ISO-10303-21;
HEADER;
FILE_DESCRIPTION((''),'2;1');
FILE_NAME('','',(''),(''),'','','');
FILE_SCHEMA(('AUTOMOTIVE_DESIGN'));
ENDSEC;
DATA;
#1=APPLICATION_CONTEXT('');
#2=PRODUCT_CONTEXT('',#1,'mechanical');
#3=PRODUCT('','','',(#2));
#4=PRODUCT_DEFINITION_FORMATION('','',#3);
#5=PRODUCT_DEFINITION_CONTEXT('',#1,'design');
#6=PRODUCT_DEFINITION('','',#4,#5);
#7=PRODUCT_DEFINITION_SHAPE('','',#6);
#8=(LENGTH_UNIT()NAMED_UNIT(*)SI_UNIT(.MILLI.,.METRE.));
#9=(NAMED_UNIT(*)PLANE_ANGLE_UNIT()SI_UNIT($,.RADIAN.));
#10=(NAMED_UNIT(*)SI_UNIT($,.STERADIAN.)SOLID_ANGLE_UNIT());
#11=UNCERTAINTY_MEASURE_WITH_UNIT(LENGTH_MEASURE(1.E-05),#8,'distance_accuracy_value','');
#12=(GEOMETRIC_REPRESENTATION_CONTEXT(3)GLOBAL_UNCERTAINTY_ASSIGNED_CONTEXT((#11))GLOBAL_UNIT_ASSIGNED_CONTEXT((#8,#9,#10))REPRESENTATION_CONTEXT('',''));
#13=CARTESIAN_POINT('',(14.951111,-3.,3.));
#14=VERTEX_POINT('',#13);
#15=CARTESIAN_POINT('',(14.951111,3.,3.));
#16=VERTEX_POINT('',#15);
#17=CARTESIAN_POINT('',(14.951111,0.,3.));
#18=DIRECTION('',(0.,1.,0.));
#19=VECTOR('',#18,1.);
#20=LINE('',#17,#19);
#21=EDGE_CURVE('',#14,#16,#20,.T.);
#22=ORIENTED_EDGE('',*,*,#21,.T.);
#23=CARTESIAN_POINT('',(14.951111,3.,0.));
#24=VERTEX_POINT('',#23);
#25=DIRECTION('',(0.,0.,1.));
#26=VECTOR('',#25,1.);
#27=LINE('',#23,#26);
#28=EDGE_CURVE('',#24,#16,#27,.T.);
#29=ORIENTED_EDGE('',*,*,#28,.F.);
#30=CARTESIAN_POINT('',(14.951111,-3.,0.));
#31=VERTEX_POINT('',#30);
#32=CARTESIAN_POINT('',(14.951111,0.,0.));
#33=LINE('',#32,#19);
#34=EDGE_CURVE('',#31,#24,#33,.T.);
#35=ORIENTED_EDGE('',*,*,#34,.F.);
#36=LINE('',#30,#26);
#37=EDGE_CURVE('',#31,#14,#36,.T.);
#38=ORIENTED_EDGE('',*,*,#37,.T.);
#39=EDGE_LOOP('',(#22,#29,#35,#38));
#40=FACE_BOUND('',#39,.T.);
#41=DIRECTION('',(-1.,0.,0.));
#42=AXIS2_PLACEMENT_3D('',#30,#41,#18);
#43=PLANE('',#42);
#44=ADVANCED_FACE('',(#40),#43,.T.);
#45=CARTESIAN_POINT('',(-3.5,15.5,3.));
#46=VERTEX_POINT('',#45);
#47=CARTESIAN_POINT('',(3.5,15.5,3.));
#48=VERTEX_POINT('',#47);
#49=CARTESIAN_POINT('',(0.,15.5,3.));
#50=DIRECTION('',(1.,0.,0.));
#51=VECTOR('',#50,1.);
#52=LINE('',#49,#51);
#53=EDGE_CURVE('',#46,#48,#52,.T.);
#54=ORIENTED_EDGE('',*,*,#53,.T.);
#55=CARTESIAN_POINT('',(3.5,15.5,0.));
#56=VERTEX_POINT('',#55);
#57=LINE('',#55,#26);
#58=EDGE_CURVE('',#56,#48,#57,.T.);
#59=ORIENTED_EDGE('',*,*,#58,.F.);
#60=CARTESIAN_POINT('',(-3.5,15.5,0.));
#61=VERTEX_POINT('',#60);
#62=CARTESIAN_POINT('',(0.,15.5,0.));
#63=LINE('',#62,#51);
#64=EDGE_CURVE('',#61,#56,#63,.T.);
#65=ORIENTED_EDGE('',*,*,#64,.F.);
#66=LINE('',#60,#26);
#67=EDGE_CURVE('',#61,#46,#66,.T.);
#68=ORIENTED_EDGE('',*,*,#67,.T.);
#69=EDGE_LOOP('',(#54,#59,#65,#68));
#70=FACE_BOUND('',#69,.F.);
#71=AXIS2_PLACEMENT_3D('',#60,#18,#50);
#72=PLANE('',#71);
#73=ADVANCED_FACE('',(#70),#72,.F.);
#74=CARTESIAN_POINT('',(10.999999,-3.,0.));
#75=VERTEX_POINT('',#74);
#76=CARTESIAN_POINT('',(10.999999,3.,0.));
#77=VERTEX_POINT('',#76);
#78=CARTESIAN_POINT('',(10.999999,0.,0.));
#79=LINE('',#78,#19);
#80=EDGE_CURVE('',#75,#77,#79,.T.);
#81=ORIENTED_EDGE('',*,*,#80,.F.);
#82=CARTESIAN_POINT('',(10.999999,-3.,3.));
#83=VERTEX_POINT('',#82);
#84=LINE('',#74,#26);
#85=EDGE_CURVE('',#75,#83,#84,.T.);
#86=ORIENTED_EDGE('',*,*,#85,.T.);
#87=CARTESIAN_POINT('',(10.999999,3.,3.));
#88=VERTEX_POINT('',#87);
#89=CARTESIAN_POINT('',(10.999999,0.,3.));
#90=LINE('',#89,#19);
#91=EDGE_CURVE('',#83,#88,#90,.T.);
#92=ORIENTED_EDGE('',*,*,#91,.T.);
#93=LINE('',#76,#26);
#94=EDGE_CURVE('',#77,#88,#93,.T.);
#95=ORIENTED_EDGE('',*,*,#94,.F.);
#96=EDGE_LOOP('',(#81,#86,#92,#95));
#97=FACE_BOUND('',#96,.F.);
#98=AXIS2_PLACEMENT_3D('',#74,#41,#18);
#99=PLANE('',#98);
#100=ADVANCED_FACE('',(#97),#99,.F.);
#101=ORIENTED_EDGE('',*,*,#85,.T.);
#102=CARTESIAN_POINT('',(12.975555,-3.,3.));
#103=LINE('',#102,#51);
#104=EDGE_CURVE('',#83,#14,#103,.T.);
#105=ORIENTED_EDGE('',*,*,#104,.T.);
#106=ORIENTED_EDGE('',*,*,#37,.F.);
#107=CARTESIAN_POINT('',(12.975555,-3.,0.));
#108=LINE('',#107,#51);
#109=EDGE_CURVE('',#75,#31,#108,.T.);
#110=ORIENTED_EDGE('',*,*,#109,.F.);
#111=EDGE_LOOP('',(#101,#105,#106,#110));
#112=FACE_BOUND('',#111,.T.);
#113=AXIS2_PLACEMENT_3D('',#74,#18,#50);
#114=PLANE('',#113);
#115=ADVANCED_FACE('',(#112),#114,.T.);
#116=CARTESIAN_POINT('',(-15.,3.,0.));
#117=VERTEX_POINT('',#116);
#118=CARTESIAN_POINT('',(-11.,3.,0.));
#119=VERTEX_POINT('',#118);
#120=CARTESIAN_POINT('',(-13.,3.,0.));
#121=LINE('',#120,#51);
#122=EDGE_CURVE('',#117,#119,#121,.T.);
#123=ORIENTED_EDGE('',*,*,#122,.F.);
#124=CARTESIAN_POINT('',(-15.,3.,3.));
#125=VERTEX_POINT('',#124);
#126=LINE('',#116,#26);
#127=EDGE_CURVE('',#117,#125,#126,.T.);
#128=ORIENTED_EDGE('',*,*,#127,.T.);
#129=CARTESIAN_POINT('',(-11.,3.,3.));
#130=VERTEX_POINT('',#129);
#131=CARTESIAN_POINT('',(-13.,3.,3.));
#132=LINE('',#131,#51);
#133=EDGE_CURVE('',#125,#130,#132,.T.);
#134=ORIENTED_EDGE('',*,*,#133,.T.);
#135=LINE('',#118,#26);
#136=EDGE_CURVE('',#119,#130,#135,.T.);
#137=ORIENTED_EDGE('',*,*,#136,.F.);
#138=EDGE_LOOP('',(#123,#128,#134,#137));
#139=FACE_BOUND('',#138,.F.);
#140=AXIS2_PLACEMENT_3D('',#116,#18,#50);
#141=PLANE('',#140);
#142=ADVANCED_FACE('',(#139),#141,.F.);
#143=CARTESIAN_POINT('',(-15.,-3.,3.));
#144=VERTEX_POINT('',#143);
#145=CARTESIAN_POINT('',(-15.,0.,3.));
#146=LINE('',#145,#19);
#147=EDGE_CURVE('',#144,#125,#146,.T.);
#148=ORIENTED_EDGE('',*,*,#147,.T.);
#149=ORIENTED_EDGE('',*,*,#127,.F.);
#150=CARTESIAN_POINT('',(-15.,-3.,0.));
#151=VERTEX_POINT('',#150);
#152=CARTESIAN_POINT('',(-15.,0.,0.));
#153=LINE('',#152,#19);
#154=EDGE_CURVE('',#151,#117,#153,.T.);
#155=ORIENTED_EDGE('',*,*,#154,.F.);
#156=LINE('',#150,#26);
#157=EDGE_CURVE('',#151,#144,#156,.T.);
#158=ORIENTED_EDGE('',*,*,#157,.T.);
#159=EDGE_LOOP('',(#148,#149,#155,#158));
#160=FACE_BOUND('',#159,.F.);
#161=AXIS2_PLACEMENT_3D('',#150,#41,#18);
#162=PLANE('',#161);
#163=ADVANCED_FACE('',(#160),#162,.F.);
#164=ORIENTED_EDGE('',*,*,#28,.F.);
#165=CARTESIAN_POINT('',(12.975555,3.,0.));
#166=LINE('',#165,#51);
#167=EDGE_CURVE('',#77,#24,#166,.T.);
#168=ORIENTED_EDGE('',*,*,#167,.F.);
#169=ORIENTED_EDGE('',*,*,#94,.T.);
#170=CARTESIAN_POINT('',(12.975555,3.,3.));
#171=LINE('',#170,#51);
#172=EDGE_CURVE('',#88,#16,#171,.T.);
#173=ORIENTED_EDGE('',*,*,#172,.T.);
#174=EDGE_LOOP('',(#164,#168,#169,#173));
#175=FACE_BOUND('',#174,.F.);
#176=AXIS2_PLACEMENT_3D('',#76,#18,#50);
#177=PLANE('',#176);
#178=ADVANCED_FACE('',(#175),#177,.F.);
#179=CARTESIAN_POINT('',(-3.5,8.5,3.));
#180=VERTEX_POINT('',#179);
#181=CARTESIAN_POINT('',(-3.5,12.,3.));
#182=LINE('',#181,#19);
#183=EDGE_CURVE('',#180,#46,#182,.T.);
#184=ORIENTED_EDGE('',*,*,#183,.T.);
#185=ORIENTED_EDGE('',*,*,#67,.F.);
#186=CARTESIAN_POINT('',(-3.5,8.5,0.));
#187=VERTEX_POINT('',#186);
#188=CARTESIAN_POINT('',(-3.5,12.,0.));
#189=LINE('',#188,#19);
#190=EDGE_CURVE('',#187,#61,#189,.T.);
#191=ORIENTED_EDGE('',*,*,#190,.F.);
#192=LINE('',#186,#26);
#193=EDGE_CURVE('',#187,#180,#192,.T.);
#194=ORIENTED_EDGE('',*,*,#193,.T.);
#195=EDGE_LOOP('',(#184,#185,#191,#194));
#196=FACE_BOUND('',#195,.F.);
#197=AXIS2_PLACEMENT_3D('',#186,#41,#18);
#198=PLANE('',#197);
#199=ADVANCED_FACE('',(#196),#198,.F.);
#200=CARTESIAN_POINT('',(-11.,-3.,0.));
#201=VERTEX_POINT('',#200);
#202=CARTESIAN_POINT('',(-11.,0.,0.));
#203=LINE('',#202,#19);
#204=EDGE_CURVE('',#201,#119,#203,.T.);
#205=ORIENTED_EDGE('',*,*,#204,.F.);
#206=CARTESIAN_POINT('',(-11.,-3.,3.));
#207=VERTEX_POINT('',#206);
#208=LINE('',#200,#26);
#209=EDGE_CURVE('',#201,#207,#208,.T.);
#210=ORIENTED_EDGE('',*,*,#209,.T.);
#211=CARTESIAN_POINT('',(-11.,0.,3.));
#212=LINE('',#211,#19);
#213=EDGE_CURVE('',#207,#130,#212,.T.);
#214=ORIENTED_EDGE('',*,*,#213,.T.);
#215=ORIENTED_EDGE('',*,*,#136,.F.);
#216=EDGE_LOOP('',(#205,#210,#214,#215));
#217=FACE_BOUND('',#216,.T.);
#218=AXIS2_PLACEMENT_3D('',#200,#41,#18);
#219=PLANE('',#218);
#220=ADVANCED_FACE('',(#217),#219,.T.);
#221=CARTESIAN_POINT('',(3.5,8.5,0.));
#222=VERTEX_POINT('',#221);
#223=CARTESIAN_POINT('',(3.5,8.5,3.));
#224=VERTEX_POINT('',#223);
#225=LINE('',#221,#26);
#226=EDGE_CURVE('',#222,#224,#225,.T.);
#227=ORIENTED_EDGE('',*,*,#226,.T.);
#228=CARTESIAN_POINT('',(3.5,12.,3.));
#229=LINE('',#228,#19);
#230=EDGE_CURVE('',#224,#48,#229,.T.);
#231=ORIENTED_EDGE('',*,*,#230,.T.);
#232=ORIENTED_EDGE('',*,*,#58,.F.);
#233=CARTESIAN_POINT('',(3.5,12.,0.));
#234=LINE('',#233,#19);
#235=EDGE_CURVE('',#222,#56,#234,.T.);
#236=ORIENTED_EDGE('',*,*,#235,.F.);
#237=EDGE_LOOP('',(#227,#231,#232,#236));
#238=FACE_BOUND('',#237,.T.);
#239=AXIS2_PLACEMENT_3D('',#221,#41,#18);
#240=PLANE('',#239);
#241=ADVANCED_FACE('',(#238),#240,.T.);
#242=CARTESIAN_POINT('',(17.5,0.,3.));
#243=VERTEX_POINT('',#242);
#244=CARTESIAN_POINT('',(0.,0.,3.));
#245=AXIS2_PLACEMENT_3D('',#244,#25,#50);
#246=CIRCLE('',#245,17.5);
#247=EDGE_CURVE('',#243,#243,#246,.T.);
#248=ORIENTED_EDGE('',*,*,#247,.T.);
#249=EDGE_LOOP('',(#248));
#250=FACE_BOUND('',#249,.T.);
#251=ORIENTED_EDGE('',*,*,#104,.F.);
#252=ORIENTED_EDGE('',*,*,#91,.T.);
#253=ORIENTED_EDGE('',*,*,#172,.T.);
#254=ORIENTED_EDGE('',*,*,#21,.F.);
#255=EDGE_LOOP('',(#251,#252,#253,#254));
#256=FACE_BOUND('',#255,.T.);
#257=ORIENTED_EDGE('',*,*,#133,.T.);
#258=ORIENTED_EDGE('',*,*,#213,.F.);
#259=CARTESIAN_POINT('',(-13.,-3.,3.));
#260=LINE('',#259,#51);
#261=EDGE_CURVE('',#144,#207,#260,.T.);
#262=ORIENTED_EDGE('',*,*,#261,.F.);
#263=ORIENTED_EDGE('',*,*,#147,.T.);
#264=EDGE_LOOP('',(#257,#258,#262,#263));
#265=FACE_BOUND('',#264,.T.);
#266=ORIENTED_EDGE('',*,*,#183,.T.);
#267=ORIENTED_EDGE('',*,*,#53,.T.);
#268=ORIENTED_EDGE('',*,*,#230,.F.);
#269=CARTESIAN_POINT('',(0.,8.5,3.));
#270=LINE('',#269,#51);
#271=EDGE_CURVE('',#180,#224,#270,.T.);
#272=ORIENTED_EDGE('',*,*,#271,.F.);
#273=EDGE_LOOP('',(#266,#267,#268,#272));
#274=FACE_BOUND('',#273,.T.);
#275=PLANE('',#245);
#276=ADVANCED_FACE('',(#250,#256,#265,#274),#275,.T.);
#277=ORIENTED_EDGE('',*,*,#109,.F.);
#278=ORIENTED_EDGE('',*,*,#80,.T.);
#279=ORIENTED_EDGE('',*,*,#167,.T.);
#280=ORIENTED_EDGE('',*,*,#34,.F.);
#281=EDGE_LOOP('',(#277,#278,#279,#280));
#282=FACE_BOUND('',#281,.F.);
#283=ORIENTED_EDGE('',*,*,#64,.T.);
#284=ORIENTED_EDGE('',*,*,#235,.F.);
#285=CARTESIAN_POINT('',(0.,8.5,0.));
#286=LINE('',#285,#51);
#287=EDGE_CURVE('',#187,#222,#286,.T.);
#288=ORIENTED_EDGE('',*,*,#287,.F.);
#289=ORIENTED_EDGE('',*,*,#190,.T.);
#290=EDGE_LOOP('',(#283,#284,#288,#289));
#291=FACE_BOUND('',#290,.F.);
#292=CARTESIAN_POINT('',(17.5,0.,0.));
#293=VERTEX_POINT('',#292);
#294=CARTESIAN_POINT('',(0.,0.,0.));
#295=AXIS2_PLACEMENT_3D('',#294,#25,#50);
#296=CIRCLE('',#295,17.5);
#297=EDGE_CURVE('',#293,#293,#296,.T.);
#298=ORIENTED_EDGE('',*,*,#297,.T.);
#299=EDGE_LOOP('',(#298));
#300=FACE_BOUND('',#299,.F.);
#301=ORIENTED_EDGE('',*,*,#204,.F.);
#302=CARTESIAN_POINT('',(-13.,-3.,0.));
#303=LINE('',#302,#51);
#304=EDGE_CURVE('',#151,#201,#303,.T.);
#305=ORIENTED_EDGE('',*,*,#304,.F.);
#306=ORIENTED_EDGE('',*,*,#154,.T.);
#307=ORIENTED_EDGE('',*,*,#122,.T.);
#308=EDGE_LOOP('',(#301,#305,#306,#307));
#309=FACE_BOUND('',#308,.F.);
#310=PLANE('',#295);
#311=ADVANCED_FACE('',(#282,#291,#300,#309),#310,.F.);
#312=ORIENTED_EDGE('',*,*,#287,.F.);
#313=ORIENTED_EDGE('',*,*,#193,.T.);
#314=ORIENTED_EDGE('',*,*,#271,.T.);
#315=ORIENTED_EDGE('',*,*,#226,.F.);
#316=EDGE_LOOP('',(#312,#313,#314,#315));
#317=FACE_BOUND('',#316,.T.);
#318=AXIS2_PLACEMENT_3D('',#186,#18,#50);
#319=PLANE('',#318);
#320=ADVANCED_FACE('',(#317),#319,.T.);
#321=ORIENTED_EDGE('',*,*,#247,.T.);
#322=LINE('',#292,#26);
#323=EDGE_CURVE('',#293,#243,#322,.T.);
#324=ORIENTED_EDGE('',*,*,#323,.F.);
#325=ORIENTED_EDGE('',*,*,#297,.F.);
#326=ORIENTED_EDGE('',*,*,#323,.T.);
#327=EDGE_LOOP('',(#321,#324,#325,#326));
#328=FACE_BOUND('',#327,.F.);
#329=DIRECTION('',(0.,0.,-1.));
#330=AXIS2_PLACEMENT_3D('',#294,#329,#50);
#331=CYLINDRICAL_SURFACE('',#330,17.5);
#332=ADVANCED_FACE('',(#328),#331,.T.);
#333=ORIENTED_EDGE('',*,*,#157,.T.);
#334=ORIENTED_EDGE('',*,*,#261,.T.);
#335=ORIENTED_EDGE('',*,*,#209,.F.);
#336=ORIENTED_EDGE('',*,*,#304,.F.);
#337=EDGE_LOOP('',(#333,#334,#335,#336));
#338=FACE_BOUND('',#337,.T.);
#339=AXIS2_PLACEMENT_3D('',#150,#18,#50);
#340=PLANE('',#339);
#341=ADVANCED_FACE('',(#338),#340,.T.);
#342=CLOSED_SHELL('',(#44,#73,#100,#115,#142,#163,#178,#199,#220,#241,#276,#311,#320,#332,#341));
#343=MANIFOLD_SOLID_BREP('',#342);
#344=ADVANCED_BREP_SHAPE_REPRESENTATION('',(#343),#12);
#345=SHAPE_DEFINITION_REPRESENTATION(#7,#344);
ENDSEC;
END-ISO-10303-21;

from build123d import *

# Parameters (mm, degrees)
F0_R     = 17.5
F0_W     = 4
F0_H     = 6
F0_W_2   = 3.951111
F0_W_3   = 7
F0_H_2   = 7
F1_DEPTH = 3


with BuildPart() as f1:
    # F0 (on Top) → F1 (new body)
    with BuildSketch(Plane.XY):
        Circle(F0_R)
        with Locations((-13, 0)):
            Rectangle(F0_W, F0_H, mode=Mode.SUBTRACT)
        with Locations((12.975555, 0)):
            Rectangle(F0_W_2, F0_H, mode=Mode.SUBTRACT)
        with Locations((0, 12)):
            Rectangle(F0_W_3, F0_H_2, mode=Mode.SUBTRACT)
    extrude(amount=F1_DEPTH)


solid = f1.part
